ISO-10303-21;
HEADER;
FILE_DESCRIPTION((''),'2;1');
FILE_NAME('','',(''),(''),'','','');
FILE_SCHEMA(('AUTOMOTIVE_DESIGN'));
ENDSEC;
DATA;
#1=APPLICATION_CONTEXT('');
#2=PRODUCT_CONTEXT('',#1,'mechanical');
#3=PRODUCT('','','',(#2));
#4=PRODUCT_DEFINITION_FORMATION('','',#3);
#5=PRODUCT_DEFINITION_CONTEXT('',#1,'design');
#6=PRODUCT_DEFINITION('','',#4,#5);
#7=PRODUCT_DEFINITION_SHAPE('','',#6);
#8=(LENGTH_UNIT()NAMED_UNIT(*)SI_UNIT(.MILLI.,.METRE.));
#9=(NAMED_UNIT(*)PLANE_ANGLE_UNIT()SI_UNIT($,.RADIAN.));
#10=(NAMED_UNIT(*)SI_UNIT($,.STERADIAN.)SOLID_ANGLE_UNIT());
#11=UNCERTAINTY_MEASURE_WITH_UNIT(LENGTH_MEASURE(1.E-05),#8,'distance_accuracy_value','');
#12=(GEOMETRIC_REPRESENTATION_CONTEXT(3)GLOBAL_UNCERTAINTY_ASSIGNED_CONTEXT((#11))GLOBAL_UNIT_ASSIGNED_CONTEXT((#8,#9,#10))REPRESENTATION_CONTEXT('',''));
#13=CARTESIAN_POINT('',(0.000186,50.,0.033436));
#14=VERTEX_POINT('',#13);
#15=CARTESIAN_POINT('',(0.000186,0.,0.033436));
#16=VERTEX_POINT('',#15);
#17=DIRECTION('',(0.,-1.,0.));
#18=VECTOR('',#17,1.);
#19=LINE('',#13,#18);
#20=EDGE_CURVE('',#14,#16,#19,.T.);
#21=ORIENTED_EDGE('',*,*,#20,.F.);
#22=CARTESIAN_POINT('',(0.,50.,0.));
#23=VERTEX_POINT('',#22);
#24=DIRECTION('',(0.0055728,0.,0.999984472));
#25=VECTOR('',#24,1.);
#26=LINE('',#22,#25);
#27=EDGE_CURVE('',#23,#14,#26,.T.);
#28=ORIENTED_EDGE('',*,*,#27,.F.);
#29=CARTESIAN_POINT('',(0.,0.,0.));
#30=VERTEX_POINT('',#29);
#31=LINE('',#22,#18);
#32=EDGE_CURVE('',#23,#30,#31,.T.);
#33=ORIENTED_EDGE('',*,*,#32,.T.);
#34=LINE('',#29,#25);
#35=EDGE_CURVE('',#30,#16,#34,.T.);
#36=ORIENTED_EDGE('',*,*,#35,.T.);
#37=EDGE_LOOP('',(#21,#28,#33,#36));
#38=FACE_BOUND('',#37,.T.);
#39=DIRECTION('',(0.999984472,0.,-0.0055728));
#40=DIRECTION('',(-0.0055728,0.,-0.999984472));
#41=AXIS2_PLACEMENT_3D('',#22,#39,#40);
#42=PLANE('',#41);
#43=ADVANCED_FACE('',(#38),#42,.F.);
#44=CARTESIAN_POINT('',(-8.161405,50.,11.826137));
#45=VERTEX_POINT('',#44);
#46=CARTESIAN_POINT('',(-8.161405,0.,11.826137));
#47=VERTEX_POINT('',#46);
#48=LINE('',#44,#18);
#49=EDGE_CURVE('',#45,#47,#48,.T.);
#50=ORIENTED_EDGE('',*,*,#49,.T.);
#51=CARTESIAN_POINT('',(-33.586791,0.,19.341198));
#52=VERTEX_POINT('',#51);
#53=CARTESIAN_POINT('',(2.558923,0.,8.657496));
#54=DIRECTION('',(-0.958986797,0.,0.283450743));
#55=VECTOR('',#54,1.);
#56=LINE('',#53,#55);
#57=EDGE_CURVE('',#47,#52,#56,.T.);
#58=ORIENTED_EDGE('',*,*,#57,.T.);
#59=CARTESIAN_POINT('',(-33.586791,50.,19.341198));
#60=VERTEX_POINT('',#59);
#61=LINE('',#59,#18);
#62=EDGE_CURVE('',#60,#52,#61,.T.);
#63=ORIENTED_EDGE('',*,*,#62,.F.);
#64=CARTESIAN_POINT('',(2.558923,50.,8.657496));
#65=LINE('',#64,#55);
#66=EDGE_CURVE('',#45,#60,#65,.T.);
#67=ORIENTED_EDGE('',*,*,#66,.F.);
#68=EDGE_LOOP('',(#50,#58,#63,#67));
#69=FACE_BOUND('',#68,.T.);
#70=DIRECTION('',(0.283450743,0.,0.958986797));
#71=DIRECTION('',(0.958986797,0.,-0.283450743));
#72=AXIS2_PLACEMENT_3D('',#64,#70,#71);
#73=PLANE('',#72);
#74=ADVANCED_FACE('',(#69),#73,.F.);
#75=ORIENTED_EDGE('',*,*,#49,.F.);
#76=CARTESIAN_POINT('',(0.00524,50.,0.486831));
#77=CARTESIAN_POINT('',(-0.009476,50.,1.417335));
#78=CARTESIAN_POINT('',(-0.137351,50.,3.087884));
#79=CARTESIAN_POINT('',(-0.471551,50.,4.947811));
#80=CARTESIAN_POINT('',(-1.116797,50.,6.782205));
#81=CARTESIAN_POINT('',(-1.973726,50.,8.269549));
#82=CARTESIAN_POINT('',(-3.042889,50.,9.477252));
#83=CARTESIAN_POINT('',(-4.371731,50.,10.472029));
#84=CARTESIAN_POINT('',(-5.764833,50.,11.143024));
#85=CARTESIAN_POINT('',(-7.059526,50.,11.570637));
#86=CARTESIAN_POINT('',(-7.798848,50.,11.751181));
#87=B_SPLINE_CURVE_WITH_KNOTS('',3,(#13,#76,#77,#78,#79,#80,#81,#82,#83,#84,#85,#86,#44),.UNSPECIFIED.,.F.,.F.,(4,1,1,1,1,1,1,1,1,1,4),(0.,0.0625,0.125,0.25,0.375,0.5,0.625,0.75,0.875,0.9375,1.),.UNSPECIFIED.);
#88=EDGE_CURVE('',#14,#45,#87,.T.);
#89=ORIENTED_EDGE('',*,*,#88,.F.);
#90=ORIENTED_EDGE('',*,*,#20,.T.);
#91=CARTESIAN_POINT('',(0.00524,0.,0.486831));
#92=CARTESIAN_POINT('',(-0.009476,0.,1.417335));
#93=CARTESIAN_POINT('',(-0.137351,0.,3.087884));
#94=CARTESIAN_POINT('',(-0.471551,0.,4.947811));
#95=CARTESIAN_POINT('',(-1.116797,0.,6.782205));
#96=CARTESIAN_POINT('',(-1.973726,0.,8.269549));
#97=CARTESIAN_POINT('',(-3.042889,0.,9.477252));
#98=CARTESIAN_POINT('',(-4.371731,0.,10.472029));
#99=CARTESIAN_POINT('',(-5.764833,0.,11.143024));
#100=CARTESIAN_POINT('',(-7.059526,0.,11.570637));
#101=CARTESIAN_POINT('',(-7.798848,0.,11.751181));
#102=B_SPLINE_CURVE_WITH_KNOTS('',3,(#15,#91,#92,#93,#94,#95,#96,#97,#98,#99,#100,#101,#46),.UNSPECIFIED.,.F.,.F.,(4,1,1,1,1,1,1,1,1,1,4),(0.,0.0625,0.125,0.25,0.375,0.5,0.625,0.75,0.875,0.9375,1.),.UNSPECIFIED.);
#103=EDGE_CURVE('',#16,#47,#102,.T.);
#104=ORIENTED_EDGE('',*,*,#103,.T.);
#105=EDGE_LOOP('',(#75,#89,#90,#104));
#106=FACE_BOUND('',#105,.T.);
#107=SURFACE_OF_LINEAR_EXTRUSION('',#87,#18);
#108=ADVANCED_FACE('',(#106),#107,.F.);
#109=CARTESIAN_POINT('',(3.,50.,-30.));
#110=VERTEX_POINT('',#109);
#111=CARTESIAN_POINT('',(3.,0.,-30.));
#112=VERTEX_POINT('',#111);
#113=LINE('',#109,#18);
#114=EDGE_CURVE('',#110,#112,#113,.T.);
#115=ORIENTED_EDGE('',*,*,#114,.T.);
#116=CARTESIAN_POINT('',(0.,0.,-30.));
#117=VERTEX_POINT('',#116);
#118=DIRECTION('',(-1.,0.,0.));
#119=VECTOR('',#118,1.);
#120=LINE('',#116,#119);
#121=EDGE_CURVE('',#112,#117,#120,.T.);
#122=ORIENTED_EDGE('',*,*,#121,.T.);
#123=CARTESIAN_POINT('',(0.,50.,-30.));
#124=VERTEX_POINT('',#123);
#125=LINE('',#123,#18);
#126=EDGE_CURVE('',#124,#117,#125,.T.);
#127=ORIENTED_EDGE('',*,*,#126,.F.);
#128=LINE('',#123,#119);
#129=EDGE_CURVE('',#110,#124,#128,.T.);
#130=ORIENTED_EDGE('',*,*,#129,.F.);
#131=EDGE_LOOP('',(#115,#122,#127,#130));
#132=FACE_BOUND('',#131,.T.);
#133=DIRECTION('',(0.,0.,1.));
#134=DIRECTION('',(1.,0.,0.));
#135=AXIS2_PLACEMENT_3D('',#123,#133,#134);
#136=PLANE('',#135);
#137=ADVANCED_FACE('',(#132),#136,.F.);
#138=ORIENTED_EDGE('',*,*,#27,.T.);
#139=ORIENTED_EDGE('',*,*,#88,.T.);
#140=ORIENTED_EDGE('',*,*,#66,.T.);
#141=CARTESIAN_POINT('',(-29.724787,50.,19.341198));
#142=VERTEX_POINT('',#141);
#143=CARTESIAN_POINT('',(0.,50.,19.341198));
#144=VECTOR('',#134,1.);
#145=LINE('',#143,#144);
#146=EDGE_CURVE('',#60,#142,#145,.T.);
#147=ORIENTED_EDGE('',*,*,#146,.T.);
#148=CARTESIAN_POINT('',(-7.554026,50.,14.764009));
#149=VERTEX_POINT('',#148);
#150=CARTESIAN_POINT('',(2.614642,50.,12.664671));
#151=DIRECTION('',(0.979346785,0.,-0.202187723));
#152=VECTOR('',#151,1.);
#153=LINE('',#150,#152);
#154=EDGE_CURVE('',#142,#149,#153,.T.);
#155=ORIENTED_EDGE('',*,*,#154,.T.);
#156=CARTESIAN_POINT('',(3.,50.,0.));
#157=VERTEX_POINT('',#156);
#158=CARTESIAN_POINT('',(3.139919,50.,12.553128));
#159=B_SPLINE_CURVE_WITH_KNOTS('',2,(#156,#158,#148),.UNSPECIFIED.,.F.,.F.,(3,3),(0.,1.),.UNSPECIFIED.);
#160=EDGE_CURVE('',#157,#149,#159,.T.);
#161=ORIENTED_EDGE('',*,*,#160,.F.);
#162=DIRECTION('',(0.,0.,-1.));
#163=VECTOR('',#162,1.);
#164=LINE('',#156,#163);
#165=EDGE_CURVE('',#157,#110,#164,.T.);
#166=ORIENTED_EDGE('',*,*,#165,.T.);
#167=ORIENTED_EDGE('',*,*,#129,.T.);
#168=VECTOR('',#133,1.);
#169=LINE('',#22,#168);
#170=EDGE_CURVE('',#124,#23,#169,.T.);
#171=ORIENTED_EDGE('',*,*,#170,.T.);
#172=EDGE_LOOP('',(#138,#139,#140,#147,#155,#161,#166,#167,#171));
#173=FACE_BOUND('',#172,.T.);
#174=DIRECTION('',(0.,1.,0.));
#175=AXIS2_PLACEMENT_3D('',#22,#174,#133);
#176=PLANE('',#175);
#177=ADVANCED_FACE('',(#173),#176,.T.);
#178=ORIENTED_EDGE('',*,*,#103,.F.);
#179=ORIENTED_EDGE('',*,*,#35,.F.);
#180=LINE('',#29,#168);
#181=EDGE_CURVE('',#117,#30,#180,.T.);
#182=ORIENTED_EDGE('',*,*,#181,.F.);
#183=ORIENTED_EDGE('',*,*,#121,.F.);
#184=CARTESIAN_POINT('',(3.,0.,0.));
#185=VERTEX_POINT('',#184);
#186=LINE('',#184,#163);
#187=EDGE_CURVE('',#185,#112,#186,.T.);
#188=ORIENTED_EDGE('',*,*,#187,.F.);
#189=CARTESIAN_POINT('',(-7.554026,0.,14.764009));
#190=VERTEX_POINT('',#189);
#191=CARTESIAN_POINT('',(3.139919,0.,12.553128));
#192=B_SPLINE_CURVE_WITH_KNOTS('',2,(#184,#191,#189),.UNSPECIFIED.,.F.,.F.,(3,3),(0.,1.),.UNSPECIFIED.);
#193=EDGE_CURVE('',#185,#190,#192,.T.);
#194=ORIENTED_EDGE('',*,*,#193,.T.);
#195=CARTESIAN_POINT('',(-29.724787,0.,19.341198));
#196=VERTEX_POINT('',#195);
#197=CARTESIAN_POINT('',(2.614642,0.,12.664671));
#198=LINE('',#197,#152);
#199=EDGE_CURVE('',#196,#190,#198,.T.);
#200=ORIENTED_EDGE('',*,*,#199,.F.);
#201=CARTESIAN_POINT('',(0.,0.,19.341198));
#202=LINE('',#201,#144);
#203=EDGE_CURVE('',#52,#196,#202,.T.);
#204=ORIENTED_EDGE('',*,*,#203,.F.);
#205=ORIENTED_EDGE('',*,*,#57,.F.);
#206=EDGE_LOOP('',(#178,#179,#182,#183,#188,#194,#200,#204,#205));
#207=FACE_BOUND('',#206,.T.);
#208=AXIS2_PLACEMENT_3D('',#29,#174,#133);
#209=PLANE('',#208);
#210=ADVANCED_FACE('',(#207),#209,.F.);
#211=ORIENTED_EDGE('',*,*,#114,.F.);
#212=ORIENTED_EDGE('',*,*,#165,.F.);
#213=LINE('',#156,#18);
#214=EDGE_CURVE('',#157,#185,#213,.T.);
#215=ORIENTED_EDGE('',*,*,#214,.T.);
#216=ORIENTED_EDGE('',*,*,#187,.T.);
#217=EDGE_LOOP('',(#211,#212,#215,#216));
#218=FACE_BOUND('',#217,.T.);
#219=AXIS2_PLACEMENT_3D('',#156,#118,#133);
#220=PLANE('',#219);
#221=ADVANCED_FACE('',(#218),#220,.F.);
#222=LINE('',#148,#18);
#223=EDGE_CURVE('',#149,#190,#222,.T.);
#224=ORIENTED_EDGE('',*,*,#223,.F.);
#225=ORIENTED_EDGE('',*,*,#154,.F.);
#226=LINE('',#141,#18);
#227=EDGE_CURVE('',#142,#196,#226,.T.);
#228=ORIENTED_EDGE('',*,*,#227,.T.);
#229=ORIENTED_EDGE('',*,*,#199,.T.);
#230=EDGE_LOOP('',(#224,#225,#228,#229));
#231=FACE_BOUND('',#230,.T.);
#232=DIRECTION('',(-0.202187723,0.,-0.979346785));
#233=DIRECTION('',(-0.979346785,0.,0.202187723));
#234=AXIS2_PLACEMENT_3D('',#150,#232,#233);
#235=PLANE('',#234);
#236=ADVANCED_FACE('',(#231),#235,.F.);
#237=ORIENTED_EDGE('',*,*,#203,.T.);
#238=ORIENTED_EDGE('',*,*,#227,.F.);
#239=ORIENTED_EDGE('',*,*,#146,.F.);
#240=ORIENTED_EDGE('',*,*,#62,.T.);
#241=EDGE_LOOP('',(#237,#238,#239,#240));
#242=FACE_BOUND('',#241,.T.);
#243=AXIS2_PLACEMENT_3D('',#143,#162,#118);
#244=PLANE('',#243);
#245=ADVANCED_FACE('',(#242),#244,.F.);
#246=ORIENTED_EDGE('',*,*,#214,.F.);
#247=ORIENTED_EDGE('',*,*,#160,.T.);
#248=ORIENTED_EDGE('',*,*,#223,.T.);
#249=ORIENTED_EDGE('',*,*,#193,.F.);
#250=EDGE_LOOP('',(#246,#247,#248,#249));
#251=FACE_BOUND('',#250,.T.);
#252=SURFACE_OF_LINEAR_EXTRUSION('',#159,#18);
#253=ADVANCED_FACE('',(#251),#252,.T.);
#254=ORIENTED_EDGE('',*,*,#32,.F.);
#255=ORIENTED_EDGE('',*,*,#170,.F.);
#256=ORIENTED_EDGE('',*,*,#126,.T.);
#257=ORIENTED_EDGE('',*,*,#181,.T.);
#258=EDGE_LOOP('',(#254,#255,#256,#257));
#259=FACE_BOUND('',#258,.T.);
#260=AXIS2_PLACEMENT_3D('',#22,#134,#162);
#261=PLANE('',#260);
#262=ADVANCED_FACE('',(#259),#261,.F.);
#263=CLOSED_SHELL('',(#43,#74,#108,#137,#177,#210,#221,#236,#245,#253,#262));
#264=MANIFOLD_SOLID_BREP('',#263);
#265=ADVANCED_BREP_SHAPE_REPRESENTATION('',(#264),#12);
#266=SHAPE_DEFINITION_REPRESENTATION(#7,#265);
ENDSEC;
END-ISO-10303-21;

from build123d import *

# Parameters (mm, degrees)
BOSS_EXTRUDE1_DEPTH = 50


with BuildPart() as part:
    # Sketch1 → Boss-Extrude1 (new body)
    with BuildSketch(Plane(origin=(0, 0, 0), x_dir=(1, 0, 0), z_dir=(0, 1, 0))):
        Polygon((0, 30), (0, 0), (0.000186337, -0.03343628), (3, 0), (3, 30), align=None)
        with BuildLine():
            Line((0.000186337, -0.03343628), (3, 0))
            add(Edge.make_bspline(
                [(3, 0), (3.139918652, -12.553127515), (-7.554025616, -14.764008615)],
                knots=[0, 0, 0, 1, 1, 1], degree=2))
            Line((-7.554025616, -14.764008615), (-29.724787296, -19.341198123))
            Line((-29.724787296, -19.341198123), (-33.586790943, -19.341198123))
            Line((-33.586790943, -19.341198123), (-8.16140534, -11.826136958))
            add(Edge.make_bspline(
                [(0.000186337, -0.03343628), (0.005239929, -0.486831056), (-0.009475768, -1.417335062), (-0.137351147, -3.087884204), (-0.471550564, -4.947811199), (-1.116797216, -6.782204669), (-1.973725508, -8.269549477), (-3.042888675, -9.477251715), (-4.37173122, -10.472028768), (-5.764833241, -11.143024266), (-7.059525511, -11.570636997), (-7.798848397, -11.751181425), (-8.16140534, -11.826136958)],
                knots=[0, 0, 0, 0, 0.0625, 0.125, 0.25, 0.375, 0.5, 0.625, 0.75, 0.875, 0.9375, 1, 1, 1, 1], degree=3))
        make_face()
    extrude(amount=BOSS_EXTRUDE1_DEPTH)


solid = part.part
